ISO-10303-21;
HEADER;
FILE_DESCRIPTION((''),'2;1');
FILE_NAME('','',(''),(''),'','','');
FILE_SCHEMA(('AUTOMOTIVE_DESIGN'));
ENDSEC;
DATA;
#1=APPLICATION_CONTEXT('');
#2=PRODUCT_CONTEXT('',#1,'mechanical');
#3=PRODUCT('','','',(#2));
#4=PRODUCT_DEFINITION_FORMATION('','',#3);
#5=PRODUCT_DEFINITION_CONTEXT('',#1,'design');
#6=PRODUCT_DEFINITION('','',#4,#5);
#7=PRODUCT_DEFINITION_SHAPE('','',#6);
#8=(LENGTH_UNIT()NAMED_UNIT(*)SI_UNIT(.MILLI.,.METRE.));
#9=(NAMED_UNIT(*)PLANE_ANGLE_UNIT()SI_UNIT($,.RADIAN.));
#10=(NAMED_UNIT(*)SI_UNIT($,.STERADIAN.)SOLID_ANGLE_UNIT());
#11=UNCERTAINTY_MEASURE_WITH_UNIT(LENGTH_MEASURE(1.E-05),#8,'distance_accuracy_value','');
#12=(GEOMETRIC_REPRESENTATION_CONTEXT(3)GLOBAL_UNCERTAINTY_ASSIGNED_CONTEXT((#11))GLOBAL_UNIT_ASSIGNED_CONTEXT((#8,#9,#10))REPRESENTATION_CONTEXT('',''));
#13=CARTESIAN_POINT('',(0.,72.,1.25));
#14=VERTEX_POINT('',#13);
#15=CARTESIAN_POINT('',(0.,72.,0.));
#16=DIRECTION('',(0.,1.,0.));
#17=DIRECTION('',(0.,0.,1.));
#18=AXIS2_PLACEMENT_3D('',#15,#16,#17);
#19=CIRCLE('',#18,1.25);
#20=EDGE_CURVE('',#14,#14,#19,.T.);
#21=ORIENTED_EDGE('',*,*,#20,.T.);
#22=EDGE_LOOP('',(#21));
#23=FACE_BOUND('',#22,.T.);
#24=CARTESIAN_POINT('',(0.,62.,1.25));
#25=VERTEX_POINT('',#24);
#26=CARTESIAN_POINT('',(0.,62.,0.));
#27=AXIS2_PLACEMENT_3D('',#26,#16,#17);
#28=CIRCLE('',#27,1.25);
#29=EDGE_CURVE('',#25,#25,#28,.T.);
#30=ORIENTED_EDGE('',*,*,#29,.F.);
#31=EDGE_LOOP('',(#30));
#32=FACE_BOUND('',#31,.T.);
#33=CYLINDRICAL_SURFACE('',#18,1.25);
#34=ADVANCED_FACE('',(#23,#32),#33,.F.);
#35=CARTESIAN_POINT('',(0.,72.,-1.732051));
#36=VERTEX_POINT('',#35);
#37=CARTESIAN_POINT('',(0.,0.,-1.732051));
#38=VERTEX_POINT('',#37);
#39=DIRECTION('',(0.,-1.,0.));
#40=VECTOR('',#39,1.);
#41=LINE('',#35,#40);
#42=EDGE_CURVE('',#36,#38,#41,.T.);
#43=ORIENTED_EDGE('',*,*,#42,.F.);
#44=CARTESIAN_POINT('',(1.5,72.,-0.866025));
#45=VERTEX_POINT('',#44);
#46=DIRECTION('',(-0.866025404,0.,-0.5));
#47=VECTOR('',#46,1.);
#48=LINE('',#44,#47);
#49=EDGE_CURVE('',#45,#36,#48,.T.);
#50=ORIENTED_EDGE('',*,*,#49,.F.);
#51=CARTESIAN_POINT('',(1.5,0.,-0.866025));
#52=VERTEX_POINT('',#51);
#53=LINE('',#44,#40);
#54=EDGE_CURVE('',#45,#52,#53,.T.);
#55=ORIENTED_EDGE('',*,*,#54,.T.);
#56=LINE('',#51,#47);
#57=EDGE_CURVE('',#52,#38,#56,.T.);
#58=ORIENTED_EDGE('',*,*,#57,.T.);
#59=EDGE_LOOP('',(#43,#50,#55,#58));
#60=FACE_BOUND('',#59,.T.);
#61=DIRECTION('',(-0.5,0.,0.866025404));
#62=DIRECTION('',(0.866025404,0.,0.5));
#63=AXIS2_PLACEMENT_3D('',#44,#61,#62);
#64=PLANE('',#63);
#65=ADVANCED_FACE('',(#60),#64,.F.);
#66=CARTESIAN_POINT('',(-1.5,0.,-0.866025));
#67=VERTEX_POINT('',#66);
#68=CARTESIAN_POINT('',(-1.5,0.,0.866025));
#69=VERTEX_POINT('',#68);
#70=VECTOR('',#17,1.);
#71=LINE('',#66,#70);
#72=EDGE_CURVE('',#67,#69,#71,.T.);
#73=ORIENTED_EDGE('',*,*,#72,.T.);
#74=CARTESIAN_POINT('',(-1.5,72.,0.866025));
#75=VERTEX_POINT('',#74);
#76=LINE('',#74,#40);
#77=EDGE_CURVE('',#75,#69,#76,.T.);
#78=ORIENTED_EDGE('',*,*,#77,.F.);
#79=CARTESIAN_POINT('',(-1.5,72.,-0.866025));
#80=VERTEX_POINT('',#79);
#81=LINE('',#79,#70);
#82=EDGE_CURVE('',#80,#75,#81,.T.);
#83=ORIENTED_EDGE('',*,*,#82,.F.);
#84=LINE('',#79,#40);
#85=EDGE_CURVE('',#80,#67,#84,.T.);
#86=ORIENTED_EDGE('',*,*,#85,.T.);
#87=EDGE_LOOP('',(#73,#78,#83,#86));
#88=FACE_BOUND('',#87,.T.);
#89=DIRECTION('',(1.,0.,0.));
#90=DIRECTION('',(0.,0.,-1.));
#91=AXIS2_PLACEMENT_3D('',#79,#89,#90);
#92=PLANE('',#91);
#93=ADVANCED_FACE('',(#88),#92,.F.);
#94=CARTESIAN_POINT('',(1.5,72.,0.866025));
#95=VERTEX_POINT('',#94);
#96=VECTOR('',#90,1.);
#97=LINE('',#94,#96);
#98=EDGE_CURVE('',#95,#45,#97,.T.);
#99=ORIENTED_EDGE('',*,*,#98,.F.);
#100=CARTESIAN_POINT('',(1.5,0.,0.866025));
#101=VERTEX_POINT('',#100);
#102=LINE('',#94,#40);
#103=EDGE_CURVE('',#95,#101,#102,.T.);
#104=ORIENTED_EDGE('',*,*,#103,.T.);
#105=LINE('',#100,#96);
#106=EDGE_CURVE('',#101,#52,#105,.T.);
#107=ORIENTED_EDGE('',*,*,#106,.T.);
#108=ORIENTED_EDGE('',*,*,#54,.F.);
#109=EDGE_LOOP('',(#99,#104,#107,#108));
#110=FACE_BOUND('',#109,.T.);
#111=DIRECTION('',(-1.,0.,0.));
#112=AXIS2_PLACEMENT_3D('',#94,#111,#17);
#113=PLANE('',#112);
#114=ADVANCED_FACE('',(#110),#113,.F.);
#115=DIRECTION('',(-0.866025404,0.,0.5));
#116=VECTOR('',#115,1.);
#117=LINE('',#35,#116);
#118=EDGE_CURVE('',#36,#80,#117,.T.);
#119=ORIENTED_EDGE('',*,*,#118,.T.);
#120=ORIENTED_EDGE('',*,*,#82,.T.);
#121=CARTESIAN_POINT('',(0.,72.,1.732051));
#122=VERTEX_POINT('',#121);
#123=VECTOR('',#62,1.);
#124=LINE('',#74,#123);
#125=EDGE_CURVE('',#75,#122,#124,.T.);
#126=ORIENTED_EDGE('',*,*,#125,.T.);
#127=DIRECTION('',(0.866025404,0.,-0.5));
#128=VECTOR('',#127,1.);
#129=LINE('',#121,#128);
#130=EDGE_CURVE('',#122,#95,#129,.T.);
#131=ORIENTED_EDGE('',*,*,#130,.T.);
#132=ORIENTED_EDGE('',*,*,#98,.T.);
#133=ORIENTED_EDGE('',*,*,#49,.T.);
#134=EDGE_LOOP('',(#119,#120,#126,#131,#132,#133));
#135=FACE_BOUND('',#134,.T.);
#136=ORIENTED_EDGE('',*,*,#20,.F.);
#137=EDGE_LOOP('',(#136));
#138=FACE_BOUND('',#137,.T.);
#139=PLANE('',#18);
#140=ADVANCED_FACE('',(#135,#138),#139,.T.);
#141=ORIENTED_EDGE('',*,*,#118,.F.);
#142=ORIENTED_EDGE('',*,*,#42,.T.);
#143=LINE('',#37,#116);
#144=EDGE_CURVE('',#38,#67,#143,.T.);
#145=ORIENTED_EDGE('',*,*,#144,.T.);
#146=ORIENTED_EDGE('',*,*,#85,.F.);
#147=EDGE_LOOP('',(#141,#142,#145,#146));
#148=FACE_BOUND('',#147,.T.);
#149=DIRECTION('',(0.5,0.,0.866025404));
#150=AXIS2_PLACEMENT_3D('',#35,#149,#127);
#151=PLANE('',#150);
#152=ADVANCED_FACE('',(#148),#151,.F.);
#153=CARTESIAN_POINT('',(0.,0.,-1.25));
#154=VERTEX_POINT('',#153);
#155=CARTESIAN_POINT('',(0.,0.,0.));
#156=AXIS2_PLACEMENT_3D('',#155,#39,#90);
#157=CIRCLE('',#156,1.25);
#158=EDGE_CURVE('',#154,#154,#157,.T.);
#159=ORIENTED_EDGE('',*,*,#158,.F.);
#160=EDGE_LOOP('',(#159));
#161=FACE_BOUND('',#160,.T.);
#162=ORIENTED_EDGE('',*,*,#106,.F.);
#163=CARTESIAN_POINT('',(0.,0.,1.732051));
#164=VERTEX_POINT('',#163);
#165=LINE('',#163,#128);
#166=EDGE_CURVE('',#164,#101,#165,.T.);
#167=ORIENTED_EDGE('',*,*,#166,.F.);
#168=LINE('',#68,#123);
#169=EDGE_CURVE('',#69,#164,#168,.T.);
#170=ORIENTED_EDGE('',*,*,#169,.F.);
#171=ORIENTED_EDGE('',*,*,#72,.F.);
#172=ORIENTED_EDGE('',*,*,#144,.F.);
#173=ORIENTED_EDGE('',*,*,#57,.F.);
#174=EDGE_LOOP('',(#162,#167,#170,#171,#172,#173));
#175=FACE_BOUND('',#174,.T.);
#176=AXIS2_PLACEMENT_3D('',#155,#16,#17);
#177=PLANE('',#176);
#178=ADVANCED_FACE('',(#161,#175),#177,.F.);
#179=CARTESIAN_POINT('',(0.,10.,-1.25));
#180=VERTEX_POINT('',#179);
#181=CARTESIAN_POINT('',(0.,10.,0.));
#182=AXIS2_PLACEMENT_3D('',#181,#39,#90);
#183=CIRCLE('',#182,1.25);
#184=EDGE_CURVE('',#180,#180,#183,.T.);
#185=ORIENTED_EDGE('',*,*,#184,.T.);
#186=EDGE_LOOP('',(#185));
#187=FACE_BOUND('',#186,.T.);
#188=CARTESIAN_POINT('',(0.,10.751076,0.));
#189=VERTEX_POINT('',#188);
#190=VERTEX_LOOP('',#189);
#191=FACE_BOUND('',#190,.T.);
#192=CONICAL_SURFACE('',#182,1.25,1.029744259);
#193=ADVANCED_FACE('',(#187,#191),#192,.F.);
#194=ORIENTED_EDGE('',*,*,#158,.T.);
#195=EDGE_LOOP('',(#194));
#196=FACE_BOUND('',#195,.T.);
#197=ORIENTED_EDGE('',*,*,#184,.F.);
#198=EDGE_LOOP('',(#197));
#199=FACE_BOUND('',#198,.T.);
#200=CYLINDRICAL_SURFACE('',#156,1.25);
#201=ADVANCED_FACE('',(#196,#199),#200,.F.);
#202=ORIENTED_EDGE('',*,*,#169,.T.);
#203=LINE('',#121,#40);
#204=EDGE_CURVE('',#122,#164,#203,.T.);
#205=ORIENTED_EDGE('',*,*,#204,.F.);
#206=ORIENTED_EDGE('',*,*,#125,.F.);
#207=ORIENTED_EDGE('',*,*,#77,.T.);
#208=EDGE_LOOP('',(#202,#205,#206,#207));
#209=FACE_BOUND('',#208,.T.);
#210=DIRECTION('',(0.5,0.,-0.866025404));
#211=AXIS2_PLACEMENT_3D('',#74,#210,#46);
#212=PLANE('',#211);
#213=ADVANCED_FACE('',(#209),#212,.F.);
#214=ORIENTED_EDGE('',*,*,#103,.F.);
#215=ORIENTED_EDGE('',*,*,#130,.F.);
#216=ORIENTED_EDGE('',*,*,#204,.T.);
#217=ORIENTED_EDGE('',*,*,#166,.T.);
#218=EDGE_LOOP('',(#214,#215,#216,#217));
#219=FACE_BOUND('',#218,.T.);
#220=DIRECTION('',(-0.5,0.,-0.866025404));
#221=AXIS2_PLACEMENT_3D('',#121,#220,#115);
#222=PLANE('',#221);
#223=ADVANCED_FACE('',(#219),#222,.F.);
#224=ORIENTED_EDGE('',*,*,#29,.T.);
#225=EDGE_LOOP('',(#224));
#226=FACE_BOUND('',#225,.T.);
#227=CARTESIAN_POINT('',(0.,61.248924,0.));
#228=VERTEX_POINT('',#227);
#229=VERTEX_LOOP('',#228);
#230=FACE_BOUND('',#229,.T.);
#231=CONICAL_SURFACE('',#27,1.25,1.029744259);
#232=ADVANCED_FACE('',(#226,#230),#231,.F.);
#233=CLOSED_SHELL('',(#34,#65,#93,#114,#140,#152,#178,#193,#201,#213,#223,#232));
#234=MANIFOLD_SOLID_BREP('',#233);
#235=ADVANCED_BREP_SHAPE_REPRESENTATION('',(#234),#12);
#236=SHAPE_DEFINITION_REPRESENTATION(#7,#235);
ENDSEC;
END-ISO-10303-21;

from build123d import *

# Parameters (mm, degrees)
BOSS_EXTRUDE1_DEPTH       = 72
M3X0_5_TAPPED_HOLE1_D     = 2.5
M3X0_5_TAPPED_HOLE1_DEPTH = 10
M3X0_5_TAPPED_HOLE1_TIP   = 0.751075774
M3X0_5_TAPPED_HOLE2_D     = 2.5
M3X0_5_TAPPED_HOLE2_DEPTH = 10
M3X0_5_TAPPED_HOLE2_TIP   = 0.751075774


with BuildPart() as part:
    # Sketch1 → Boss-Extrude1 (new body)
    with BuildSketch(Plane(origin=(0, 0, 0), x_dir=(1, 0, 0), z_dir=(0, 1, 0))):
        Polygon((0, 1.732050808), (-1.5, 0.866025404), (-1.5, -0.866025404), (0, -1.732050808), (1.5, -0.866025404), (1.5, 0.866025404), align=None)
    extrude(amount=BOSS_EXTRUDE1_DEPTH)

    # M3x0.5 Tapped Hole1
    with Locations(Plane(origin=(0, 72, 0), x_dir=(1, 0, 0), z_dir=(0, 1, 0))):
        with Locations((0, 0)):
            Hole(M3X0_5_TAPPED_HOLE1_D / 2, depth=M3X0_5_TAPPED_HOLE1_DEPTH)
            with Locations((0, 0, -(M3X0_5_TAPPED_HOLE1_DEPTH + M3X0_5_TAPPED_HOLE1_TIP / 2))):  # 118° drill point
                Cone(0, M3X0_5_TAPPED_HOLE1_D / 2, M3X0_5_TAPPED_HOLE1_TIP, mode=Mode.SUBTRACT)

    # M3x0.5 Tapped Hole2
    with Locations(Plane(origin=(0, 0, 0), x_dir=(-1, 0, 0), z_dir=(0, -1, 0))):
        with Locations((0, 0)):
            Hole(M3X0_5_TAPPED_HOLE2_D / 2, depth=M3X0_5_TAPPED_HOLE2_DEPTH)
            with Locations((0, 0, -(M3X0_5_TAPPED_HOLE2_DEPTH + M3X0_5_TAPPED_HOLE2_TIP / 2))):  # 118° drill point
                Cone(0, M3X0_5_TAPPED_HOLE2_D / 2, M3X0_5_TAPPED_HOLE2_TIP, mode=Mode.SUBTRACT)


solid = part.part
